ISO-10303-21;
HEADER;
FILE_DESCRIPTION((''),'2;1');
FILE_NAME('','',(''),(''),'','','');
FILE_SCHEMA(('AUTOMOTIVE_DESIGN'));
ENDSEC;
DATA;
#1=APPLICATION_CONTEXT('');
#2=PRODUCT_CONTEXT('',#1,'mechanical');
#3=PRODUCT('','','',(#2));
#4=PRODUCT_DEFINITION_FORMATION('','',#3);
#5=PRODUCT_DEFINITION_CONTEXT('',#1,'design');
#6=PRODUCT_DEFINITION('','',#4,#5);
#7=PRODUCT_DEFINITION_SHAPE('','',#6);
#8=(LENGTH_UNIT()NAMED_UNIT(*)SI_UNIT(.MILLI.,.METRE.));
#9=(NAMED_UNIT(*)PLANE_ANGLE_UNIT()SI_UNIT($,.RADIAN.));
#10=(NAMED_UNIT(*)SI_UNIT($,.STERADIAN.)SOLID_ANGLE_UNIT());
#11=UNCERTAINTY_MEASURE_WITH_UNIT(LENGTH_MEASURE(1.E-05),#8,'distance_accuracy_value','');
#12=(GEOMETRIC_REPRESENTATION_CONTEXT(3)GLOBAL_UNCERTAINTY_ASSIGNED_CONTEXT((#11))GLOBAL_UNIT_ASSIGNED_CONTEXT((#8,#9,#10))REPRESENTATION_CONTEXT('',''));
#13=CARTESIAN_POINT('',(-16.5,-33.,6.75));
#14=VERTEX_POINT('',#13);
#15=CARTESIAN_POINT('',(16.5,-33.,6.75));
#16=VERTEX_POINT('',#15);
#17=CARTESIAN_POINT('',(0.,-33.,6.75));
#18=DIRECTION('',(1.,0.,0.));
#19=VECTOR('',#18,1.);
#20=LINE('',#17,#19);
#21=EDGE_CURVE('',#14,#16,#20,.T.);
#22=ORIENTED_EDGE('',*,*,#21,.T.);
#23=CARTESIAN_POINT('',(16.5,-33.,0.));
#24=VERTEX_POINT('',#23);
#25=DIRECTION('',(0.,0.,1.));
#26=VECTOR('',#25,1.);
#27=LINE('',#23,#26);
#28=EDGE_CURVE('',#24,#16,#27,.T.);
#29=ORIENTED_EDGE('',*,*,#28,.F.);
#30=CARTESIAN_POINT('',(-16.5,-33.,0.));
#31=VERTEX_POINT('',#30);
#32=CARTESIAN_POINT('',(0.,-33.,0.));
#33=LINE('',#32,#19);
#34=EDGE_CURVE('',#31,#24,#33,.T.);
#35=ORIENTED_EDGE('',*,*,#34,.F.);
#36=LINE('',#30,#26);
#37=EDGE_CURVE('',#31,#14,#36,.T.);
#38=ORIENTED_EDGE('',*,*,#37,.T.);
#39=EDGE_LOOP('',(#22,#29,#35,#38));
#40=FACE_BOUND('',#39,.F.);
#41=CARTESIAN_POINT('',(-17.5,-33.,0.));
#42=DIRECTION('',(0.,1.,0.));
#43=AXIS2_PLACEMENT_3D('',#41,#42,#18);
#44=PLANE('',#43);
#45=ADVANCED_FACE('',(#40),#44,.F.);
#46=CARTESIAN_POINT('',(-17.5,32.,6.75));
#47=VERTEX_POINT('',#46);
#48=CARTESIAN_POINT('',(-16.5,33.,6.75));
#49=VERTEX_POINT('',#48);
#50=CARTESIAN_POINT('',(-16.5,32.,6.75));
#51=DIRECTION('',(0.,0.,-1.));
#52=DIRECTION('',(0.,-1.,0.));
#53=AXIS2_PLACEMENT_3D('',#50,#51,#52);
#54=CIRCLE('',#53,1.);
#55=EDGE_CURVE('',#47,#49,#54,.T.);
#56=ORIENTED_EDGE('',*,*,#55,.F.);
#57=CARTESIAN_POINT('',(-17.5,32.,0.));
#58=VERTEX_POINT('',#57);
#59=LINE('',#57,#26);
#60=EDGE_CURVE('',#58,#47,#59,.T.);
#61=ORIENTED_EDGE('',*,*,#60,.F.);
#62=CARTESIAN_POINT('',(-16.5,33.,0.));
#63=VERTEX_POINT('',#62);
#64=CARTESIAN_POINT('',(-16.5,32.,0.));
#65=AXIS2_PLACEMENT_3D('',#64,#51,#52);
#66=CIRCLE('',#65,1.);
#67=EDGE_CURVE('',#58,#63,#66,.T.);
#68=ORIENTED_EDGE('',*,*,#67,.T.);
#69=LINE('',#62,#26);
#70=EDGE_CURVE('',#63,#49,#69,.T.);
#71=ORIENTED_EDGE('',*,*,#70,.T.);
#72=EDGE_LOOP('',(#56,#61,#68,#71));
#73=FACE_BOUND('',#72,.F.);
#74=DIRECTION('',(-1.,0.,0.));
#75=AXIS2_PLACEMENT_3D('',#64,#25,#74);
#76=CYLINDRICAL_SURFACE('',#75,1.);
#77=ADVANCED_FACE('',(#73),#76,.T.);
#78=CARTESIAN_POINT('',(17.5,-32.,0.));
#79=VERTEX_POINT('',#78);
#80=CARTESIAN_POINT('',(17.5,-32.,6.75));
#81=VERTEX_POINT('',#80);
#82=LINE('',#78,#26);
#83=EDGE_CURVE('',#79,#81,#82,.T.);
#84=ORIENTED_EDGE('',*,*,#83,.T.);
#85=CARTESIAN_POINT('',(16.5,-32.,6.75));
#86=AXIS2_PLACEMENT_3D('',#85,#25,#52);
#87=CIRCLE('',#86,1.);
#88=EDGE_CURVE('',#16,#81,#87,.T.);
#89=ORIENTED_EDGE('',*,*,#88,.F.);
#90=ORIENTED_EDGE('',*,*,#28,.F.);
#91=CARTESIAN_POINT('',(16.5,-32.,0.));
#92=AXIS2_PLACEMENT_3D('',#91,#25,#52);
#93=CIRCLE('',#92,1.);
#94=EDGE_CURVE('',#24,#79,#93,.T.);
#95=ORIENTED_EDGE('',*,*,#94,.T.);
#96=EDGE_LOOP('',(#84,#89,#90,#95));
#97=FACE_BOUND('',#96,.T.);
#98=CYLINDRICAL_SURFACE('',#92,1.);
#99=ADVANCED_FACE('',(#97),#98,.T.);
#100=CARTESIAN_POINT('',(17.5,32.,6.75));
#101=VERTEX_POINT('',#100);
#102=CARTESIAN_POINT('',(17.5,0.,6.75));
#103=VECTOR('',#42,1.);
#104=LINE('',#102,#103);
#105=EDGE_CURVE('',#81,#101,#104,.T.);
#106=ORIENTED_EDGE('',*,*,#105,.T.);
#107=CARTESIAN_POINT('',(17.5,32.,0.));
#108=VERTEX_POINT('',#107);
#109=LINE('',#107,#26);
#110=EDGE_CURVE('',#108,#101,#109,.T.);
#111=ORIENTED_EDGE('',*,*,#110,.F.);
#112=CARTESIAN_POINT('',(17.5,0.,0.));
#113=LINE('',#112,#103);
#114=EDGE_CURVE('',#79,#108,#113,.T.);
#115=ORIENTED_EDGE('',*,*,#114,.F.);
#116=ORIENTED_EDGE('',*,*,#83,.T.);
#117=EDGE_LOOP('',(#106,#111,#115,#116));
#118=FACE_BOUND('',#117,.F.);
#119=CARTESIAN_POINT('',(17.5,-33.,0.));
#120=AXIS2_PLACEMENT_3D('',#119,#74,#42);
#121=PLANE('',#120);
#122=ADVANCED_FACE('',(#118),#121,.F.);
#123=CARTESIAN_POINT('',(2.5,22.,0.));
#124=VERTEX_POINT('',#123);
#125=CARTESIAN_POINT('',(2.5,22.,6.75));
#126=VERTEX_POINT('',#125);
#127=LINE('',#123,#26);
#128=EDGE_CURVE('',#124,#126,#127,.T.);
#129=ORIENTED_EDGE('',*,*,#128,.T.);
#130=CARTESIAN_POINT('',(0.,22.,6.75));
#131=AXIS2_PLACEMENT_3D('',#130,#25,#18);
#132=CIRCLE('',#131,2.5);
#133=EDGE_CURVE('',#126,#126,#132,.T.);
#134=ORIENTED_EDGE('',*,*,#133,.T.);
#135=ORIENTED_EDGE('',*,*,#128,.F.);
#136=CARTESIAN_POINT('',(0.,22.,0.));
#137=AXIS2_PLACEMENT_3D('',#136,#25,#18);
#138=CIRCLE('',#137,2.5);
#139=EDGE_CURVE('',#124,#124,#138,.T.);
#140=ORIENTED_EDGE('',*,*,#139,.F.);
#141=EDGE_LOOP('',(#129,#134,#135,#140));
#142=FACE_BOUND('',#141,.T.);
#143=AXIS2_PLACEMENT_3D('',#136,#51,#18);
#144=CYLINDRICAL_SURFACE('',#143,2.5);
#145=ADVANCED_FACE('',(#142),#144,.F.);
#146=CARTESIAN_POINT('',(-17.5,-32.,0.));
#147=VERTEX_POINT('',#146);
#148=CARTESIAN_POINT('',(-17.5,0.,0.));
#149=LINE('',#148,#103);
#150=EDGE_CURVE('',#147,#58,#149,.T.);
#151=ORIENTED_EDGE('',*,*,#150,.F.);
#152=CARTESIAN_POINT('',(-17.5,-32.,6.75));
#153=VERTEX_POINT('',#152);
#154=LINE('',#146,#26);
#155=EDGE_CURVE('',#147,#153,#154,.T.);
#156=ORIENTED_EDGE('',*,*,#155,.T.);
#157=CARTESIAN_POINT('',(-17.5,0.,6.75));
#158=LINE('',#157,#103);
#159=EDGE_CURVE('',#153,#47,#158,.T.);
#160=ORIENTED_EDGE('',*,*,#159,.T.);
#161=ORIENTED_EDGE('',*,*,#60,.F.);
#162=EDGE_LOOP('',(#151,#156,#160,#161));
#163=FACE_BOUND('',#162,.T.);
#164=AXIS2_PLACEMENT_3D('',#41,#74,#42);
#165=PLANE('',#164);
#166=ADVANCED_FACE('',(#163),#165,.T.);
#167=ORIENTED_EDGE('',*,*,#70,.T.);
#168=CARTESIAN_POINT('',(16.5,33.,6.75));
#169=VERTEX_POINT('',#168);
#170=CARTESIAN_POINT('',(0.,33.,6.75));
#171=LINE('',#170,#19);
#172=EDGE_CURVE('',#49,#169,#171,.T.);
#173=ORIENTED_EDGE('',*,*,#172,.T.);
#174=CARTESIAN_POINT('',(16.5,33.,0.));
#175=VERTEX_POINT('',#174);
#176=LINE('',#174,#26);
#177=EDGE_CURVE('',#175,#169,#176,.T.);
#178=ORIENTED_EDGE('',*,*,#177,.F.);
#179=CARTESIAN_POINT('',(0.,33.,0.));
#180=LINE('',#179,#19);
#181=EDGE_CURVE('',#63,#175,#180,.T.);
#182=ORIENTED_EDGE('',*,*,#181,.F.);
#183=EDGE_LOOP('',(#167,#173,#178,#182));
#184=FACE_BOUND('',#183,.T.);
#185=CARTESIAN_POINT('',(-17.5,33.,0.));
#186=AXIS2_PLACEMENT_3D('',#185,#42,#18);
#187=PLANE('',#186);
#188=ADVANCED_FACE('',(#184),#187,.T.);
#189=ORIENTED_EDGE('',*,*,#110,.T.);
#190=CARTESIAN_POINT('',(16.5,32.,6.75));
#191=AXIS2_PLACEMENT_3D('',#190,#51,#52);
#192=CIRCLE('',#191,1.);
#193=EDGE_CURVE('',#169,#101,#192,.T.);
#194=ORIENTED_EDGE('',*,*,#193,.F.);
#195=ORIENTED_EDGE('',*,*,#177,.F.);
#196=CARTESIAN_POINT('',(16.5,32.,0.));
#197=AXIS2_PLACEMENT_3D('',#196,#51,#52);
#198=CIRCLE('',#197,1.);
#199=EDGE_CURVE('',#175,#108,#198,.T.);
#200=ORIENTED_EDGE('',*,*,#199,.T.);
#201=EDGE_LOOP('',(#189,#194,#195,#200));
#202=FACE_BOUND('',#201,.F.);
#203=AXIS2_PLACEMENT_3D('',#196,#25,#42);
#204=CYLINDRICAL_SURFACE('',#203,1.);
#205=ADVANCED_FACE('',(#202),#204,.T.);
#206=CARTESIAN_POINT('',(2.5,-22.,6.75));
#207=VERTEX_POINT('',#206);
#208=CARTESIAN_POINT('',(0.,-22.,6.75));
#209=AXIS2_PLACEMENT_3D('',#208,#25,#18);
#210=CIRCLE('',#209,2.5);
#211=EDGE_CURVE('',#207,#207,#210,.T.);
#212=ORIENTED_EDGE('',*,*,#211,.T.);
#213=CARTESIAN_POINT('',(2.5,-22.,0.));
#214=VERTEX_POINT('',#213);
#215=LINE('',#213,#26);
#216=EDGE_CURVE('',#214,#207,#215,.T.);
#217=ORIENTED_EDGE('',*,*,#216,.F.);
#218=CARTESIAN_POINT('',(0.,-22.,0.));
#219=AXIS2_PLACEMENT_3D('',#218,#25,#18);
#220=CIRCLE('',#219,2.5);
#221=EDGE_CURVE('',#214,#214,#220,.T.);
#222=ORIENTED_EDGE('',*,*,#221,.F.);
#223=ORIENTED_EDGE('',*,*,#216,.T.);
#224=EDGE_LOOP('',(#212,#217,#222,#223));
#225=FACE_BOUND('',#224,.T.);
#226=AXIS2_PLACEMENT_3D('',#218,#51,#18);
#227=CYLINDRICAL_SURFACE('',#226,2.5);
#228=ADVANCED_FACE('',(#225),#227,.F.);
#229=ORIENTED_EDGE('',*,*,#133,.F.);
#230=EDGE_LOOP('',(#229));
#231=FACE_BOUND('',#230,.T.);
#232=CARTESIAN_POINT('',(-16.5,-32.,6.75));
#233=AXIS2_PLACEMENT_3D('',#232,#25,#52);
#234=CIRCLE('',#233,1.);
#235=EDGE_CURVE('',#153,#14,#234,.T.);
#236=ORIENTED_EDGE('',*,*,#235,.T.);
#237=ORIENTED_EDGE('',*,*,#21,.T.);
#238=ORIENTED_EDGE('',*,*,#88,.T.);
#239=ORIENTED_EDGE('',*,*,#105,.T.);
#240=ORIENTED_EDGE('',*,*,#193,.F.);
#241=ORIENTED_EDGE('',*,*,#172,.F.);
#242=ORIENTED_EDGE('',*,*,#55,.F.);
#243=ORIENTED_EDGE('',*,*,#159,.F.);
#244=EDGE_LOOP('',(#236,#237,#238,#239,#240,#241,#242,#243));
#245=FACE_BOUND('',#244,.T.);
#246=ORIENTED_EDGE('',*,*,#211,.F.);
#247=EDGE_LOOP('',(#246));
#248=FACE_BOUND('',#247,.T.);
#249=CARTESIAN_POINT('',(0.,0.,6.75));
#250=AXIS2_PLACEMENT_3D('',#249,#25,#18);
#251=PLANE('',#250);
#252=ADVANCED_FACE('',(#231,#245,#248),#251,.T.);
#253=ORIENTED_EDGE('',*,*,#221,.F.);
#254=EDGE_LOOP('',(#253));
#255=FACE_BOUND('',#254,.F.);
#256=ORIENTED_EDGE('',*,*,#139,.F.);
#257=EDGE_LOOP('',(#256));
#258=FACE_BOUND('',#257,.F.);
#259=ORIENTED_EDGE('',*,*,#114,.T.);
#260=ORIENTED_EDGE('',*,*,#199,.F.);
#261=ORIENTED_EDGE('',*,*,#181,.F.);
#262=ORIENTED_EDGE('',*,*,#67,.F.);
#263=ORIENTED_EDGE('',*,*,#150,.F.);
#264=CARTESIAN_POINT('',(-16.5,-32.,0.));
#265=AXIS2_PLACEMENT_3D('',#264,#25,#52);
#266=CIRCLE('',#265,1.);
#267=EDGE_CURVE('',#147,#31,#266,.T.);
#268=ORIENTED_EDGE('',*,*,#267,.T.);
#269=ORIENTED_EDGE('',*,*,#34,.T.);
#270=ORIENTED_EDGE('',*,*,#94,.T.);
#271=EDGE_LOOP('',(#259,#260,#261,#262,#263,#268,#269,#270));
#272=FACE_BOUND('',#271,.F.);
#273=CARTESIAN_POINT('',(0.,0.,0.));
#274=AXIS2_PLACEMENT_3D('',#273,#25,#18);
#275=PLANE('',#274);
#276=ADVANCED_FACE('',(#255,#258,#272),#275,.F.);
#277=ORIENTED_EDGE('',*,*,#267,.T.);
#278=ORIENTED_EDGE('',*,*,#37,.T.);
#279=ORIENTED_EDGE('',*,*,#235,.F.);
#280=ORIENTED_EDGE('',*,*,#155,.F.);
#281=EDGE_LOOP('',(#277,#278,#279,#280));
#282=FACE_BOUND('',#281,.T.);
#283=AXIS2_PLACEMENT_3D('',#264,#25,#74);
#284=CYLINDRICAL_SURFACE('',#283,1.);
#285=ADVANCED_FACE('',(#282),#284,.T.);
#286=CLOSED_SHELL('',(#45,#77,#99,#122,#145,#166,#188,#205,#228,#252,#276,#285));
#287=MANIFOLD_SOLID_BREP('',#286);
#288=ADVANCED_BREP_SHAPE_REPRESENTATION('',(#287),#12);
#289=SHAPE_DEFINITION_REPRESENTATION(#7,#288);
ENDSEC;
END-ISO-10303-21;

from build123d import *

# Parameters (mm, degrees)
F0_W     = 35
F0_H     = 66
F0_R     = 2.5
F1_DEPTH = 6.75
F2_R     = 1


with BuildPart() as f1:
    # F0 (on Top) → F1 (new body)
    with BuildSketch(Plane.XY):
        Rectangle(F0_W, F0_H)
        with Locations((0, -22)):
            Circle(F0_R, mode=Mode.SUBTRACT)
        with Locations((0, 22)):
            Circle(F0_R, mode=Mode.SUBTRACT)
    extrude(amount=F1_DEPTH)

    # F2
    f2_edges = [f1.edges().sort_by_distance(p)[0] for p in [
        (-17.5, 33, 3.375),
        (-17.5, -33, 3.375),
        (17.5, -33, 3.375),
        (17.5, 33, 3.375),
    ]]
    fillet(f2_edges, radius=F2_R)


solid = f1.part
